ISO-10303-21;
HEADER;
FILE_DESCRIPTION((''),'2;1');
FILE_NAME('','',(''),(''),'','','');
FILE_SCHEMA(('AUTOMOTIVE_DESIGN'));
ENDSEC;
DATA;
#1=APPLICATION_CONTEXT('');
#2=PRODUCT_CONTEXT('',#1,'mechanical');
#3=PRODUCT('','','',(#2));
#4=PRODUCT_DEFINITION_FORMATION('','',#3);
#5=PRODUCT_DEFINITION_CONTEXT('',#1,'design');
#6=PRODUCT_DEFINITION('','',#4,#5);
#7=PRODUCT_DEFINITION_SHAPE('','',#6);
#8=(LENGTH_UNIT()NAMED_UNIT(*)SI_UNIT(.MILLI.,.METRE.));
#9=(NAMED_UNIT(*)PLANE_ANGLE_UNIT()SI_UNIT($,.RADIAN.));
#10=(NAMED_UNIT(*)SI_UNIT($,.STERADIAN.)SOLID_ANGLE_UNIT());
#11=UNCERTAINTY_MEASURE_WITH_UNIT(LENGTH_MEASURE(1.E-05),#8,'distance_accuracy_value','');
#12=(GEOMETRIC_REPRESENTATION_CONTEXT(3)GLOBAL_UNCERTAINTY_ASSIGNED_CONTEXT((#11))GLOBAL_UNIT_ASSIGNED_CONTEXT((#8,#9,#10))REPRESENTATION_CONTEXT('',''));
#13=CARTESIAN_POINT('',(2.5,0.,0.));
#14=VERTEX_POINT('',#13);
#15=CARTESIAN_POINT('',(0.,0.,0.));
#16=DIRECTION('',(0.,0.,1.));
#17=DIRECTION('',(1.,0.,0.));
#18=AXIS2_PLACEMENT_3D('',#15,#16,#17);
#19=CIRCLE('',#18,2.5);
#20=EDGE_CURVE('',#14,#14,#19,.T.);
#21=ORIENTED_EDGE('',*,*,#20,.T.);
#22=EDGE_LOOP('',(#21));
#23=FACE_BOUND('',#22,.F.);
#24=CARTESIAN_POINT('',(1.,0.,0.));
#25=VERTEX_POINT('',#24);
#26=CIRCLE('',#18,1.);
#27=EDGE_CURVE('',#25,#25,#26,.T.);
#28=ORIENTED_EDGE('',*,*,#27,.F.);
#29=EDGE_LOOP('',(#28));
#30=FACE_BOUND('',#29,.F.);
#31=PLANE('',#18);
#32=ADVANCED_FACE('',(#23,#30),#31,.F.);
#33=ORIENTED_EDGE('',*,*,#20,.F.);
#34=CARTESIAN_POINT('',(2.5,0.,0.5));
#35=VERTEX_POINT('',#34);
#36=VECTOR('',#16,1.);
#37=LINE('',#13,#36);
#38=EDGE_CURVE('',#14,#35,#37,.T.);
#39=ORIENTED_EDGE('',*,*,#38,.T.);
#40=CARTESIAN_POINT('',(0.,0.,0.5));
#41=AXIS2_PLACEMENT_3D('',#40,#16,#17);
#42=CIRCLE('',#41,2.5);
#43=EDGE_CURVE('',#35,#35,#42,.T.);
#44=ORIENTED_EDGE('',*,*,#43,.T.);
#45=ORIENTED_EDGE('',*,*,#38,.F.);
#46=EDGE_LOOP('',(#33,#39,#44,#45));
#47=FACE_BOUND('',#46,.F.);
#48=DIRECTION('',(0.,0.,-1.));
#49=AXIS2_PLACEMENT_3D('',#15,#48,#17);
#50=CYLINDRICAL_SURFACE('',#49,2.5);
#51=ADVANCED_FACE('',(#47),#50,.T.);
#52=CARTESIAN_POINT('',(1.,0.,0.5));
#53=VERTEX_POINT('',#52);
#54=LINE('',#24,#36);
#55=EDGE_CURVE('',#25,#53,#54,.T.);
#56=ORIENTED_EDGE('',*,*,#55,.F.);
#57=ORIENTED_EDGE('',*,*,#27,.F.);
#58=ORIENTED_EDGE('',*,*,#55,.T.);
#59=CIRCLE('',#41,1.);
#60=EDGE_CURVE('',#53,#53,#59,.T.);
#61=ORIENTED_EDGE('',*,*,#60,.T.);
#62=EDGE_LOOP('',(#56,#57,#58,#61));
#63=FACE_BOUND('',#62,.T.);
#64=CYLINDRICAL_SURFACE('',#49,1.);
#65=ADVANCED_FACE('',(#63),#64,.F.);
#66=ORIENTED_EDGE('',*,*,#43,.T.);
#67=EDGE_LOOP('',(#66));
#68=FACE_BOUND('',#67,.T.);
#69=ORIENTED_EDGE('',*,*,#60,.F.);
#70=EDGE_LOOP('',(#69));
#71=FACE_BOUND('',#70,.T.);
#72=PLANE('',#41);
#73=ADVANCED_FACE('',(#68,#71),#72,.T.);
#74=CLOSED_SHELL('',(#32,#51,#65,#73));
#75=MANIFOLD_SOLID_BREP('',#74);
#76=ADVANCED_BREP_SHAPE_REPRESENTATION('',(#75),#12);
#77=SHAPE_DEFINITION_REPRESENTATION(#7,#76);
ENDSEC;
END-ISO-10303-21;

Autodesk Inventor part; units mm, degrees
ref_plane "YZ Plane" through (0, 0, 0) normal (1, 0, 0) x (0, 1, 0)
ref_plane "XZ Plane" through (0, 0, 0) normal (0, 1, 0) x (-1, 0, 0)
ref_plane "XY Plane" through (0, 0, 0) normal (0, 0, 1) x (1, 0, 0)
sketch "スケッチ1" plane through (0, 0, 0) normal (0, 0, 1) x (1, 0, 0)
  circle A0 centre (0, 0) radius 1
  circle A1 centre (0, 0) radius 2.5
  dimension "d0" = 2
  dimension "d1" = 5
extrude "押し出し1" add sketch "スケッチ1" along normal blind 0.5
properties part number "シムリング"
